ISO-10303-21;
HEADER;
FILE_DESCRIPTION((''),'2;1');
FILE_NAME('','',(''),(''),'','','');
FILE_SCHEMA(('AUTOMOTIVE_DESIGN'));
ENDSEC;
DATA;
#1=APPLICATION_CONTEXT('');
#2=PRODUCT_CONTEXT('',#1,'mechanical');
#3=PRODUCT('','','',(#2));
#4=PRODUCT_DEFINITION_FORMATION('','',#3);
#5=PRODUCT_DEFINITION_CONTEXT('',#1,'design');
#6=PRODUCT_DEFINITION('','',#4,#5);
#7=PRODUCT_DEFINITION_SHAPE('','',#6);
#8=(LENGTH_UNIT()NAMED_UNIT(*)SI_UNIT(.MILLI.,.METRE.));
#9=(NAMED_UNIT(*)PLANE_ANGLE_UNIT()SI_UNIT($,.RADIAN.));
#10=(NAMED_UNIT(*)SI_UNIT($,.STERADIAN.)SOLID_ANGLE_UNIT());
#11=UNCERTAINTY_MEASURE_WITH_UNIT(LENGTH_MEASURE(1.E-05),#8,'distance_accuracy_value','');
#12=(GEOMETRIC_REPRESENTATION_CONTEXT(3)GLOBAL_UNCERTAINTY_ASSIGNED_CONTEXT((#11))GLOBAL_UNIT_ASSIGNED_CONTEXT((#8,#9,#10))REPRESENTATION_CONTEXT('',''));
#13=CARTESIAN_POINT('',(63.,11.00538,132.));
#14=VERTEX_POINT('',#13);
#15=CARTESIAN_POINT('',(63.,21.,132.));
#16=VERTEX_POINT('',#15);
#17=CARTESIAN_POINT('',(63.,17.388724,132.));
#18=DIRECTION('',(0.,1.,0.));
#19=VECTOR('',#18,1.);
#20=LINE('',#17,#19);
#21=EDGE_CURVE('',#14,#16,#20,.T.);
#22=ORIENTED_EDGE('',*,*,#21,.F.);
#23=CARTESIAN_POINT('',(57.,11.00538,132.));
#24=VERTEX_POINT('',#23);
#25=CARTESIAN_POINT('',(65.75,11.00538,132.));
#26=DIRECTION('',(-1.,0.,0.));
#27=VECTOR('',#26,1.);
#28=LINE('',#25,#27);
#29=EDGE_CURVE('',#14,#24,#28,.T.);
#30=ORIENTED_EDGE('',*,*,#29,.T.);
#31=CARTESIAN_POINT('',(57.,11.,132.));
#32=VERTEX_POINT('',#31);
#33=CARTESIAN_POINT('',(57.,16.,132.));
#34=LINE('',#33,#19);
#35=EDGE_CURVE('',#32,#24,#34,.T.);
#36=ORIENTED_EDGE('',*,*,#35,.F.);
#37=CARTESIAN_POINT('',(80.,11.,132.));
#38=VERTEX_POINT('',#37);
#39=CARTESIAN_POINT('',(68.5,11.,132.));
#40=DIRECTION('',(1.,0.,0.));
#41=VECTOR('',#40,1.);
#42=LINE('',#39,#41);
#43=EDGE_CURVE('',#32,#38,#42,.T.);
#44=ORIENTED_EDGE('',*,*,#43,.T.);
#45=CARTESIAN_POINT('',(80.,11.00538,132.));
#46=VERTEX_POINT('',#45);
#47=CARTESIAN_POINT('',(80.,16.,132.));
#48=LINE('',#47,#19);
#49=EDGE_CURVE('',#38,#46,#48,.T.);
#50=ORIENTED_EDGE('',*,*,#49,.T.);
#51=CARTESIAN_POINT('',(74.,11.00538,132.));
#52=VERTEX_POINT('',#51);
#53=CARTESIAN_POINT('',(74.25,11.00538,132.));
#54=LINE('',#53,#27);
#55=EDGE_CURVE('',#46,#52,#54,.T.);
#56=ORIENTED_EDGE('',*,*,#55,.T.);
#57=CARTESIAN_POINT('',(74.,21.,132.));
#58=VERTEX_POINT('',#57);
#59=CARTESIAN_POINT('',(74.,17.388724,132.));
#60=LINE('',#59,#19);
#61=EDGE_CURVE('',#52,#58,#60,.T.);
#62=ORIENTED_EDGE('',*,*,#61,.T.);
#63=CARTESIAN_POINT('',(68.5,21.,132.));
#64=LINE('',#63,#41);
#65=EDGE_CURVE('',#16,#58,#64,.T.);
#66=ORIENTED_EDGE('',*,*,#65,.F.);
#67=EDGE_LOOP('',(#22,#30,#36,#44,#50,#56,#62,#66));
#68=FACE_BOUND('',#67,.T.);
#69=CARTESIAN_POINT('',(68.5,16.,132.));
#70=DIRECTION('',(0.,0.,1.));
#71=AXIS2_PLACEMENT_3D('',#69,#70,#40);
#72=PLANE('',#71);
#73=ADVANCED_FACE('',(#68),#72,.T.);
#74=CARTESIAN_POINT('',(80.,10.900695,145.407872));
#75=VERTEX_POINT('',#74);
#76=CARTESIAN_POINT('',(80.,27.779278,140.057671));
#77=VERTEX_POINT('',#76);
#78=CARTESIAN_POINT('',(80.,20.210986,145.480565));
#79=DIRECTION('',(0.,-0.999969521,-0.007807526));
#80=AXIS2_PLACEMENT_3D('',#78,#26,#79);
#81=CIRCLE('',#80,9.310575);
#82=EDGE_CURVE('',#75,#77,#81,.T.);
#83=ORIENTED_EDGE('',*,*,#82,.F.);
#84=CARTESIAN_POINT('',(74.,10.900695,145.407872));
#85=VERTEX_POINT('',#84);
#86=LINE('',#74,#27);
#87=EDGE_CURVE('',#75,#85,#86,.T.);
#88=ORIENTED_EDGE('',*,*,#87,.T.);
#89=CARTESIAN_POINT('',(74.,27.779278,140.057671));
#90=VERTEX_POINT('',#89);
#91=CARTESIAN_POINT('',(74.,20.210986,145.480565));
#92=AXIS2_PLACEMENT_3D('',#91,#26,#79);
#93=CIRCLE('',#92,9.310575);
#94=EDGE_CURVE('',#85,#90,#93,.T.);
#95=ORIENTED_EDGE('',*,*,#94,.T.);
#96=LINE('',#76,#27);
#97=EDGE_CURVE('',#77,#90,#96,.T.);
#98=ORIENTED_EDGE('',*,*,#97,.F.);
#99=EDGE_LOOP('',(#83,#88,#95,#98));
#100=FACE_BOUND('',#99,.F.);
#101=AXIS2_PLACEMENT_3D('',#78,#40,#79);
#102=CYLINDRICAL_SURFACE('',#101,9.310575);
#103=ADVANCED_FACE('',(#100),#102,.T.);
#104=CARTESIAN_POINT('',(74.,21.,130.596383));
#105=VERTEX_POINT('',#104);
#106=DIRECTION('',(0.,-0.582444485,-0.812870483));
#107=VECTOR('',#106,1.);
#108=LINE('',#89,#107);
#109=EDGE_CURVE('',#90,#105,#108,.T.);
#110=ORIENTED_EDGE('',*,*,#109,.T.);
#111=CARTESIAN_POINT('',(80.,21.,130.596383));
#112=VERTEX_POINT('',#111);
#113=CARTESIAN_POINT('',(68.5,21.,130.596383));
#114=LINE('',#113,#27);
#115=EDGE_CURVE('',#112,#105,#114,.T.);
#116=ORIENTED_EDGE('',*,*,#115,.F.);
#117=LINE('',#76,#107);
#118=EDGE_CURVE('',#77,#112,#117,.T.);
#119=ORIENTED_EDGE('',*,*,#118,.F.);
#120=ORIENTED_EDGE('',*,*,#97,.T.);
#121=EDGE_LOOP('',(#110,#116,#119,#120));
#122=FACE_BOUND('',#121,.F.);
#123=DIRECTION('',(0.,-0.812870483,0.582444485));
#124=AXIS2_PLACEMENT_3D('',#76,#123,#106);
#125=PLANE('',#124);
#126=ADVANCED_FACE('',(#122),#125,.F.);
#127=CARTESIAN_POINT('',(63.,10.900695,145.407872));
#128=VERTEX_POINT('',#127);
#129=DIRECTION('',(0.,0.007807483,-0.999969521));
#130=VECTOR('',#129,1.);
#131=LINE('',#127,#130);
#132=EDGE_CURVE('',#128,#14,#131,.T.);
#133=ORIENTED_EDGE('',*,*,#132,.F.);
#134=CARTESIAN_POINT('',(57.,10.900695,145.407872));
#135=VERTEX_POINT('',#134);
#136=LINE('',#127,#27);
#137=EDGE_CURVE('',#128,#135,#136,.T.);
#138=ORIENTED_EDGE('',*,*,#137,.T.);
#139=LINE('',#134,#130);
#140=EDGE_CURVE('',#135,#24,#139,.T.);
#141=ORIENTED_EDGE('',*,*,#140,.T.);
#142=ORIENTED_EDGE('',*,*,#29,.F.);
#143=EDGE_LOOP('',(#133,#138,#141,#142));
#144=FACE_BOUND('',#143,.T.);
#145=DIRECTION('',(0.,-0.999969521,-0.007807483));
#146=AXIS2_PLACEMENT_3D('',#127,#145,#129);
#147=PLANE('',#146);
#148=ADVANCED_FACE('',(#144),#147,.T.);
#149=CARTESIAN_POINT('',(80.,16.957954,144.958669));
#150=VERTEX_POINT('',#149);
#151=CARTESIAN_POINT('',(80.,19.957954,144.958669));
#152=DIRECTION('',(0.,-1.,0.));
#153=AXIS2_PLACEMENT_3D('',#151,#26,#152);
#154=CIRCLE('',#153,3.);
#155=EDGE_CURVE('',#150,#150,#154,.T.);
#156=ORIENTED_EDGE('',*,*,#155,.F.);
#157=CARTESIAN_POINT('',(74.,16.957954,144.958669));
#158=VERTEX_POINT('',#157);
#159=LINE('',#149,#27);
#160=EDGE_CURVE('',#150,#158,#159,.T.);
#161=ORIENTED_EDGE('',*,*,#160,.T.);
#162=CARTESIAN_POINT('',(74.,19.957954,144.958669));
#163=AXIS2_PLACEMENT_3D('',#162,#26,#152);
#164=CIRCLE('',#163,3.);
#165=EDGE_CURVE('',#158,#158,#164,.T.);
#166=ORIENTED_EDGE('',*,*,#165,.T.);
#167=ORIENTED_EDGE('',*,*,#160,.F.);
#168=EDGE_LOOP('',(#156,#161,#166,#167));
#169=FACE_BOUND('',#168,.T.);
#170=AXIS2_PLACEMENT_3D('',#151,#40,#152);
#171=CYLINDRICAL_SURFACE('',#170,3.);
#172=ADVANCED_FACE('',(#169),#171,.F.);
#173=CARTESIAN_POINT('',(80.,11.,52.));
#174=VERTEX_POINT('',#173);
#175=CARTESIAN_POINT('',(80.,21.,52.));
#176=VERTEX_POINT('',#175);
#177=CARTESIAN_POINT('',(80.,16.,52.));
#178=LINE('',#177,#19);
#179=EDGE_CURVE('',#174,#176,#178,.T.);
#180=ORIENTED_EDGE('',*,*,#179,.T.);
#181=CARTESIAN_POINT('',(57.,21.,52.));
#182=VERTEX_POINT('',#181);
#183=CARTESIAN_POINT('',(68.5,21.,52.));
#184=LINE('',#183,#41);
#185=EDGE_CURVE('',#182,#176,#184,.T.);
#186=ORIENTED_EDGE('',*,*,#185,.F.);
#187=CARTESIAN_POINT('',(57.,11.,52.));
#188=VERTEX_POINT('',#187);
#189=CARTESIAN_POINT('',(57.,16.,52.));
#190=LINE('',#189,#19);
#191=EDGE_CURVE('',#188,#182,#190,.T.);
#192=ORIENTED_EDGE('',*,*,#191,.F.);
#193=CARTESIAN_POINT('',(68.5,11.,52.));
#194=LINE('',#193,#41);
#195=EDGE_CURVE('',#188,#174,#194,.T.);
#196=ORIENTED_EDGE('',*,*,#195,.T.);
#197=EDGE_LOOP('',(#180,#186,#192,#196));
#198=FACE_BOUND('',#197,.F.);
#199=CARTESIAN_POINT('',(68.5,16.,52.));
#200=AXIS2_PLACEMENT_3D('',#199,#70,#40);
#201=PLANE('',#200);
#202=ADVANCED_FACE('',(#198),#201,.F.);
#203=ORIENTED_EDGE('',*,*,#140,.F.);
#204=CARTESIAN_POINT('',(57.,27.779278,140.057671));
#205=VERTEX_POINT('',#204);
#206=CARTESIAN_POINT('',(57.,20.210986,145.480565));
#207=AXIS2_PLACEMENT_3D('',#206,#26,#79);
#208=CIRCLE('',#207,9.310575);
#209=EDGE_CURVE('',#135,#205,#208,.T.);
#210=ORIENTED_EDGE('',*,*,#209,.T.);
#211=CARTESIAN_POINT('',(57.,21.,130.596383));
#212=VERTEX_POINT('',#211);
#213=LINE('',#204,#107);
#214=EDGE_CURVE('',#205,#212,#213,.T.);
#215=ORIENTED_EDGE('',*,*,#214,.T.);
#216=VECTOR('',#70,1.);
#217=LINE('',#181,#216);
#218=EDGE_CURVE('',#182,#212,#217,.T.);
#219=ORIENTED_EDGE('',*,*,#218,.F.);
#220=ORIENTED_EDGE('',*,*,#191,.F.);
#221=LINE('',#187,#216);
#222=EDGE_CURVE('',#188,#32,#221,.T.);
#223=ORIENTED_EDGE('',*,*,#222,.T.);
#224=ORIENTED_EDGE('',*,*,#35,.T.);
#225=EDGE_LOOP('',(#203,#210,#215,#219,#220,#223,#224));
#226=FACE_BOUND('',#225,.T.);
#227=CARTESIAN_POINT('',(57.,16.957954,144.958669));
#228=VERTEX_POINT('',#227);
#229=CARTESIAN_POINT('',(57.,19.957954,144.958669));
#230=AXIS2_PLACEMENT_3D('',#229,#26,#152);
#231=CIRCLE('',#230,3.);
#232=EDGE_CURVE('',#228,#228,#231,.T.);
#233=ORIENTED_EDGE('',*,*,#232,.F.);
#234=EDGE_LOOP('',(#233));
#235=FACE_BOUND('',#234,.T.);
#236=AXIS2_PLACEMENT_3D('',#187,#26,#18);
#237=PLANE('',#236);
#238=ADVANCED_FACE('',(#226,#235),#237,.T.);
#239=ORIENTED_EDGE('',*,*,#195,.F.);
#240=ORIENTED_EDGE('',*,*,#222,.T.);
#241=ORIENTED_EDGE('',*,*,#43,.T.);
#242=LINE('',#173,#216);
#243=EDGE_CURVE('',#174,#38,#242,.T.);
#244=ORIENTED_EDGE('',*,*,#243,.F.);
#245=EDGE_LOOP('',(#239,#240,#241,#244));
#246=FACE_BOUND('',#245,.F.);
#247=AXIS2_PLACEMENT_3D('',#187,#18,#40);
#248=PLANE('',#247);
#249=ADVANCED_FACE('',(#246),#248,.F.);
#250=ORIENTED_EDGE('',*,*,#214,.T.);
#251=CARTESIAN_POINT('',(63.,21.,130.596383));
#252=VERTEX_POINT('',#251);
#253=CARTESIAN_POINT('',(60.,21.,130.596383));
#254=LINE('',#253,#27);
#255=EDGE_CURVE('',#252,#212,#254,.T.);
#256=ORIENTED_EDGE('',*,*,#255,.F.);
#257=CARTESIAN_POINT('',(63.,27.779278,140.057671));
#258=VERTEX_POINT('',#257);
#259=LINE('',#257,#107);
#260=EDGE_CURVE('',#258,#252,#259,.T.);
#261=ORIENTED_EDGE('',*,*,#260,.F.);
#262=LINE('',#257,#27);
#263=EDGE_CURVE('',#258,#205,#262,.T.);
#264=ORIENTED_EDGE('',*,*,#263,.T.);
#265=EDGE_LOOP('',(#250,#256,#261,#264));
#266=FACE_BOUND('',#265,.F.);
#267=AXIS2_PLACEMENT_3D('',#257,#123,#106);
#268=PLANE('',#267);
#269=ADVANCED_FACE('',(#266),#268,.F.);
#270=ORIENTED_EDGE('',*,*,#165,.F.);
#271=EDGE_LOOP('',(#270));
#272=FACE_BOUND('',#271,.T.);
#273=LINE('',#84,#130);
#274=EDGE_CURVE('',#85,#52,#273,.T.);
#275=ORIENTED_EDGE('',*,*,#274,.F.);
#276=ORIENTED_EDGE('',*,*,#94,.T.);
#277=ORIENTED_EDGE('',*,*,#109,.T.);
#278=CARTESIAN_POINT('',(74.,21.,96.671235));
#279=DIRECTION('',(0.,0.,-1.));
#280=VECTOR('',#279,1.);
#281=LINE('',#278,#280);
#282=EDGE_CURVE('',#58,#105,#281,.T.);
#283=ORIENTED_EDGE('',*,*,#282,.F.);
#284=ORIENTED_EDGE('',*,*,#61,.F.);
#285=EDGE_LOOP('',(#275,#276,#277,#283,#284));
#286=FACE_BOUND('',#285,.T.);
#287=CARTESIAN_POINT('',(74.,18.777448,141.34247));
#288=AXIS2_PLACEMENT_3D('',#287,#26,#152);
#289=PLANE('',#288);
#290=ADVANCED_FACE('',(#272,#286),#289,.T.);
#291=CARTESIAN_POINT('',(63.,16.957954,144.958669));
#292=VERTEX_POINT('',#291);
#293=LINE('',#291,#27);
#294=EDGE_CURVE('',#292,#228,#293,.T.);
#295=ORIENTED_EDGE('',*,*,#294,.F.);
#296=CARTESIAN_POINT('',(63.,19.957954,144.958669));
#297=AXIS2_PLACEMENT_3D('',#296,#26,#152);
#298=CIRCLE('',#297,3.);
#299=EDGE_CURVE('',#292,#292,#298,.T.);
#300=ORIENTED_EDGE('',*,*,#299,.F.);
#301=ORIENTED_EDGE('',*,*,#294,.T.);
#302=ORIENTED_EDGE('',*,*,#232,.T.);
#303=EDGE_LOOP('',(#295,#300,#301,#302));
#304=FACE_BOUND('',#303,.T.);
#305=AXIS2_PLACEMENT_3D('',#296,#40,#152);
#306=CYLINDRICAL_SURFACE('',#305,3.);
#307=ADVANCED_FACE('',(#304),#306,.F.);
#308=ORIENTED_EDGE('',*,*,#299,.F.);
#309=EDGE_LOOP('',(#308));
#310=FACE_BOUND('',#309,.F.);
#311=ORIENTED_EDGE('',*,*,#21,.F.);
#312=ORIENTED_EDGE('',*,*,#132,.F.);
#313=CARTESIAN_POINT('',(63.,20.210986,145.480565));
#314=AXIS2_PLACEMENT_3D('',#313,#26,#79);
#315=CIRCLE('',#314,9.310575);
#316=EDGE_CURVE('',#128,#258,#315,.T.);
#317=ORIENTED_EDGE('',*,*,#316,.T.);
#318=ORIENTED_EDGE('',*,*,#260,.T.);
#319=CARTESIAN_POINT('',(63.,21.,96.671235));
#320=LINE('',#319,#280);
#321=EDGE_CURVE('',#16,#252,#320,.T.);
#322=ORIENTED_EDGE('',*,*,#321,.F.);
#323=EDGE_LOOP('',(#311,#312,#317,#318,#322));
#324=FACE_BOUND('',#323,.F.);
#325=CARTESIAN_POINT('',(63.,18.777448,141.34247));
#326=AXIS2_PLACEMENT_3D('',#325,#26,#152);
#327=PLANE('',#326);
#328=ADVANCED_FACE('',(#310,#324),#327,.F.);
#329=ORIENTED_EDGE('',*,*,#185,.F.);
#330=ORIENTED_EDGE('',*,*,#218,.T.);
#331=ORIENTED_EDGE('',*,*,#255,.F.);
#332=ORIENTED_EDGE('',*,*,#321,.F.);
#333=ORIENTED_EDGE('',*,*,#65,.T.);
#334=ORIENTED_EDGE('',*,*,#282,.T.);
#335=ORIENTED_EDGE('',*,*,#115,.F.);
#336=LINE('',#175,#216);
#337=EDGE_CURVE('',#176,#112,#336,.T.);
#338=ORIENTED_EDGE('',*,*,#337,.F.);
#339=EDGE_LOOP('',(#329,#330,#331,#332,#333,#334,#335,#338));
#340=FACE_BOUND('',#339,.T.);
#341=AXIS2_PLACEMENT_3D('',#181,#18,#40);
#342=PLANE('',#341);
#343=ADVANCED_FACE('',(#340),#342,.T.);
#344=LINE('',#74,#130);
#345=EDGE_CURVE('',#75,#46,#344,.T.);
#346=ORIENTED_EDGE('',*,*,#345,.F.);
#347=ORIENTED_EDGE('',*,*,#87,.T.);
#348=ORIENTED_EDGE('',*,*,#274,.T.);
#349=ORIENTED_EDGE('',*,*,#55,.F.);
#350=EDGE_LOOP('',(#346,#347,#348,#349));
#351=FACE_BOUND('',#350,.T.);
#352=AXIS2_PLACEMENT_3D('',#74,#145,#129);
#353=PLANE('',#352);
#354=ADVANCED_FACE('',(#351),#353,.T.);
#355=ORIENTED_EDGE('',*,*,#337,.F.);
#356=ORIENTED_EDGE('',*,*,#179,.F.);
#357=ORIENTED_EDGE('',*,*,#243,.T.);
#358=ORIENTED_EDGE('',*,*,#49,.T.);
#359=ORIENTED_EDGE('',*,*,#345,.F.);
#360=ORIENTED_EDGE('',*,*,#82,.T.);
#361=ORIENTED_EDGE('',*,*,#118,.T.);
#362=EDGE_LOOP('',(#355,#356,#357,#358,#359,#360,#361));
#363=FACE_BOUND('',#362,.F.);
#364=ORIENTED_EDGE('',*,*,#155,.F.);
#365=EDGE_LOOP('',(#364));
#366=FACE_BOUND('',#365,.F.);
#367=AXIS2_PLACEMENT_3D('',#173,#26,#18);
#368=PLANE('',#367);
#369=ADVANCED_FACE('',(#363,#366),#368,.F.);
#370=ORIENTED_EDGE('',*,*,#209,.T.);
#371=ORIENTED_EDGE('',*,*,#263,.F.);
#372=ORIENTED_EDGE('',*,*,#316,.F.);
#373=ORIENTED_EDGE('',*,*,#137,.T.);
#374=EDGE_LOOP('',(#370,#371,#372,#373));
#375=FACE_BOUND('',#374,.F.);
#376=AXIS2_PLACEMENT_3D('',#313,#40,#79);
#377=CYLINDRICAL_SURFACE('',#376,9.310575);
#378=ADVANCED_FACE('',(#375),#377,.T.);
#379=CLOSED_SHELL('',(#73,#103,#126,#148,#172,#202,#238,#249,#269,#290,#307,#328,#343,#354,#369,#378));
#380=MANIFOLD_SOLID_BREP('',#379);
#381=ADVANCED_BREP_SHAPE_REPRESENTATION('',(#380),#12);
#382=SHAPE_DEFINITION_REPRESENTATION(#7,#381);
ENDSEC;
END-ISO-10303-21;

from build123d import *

# Parameters (mm, degrees)
SKETCH014_R      = 3
EXTRUDE013_DEPTH = 6
BOX025_W         = 23
BOX025_H         = 10
BOX025_DEPTH     = 80


with BuildPart() as union_brazo_central:
    # Sketch014 → Extrude013 (new body)
    with BuildSketch(Plane(origin=(0, 0, 0), x_dir=(0, -1, 0), z_dir=(-1, 0, 0))):
        with BuildLine():
            ThreePointArc((-10.900695, 145.407872), (-23.024313, 154.355924), (-27.779278, 140.057671))
            Line((-27.779278, 140.057671), (-20.026942, 129.238365))
            Line((-20.026942, 129.238365), (-11.026942, 129.238365))
            Line((-10.900695, 145.407872), (-11.026942, 129.238365))
        make_face()
        with Locations((-19.957954, 144.958669)):
            Circle(SKETCH014_R, mode=Mode.SUBTRACT)
    extrude(amount=EXTRUDE013_DEPTH)


with BuildPart() as union_brazo_central_1:
    # Extrude013 placement: moved
    add(union_brazo_central.part.moved(Location((63, 0, 0))))


with BuildPart() as main_brazo_central:
    # Box025 → Box025 (new body)
    with BuildSketch(Plane(origin=(57, 11, 52), x_dir=(1, 0, 0), z_dir=(0, 0, 1))):
        with Locations((11.5, 5)):
            Rectangle(BOX025_W, BOX025_H)
    extrude(amount=BOX025_DEPTH)


with BuildPart() as brazo_central:
    # Link017 base: copy of Union brazo central
    add(union_brazo_central_1.part)


with BuildPart() as brazo_central_1:
    # Link017 placement: moved
    add(brazo_central.part.moved(Location((17, 0, 0))))

    # Fusion021: union Union brazo central, main brazo central
    add(union_brazo_central_1.part)
    add(main_brazo_central.part)


solid = brazo_central_1.part
